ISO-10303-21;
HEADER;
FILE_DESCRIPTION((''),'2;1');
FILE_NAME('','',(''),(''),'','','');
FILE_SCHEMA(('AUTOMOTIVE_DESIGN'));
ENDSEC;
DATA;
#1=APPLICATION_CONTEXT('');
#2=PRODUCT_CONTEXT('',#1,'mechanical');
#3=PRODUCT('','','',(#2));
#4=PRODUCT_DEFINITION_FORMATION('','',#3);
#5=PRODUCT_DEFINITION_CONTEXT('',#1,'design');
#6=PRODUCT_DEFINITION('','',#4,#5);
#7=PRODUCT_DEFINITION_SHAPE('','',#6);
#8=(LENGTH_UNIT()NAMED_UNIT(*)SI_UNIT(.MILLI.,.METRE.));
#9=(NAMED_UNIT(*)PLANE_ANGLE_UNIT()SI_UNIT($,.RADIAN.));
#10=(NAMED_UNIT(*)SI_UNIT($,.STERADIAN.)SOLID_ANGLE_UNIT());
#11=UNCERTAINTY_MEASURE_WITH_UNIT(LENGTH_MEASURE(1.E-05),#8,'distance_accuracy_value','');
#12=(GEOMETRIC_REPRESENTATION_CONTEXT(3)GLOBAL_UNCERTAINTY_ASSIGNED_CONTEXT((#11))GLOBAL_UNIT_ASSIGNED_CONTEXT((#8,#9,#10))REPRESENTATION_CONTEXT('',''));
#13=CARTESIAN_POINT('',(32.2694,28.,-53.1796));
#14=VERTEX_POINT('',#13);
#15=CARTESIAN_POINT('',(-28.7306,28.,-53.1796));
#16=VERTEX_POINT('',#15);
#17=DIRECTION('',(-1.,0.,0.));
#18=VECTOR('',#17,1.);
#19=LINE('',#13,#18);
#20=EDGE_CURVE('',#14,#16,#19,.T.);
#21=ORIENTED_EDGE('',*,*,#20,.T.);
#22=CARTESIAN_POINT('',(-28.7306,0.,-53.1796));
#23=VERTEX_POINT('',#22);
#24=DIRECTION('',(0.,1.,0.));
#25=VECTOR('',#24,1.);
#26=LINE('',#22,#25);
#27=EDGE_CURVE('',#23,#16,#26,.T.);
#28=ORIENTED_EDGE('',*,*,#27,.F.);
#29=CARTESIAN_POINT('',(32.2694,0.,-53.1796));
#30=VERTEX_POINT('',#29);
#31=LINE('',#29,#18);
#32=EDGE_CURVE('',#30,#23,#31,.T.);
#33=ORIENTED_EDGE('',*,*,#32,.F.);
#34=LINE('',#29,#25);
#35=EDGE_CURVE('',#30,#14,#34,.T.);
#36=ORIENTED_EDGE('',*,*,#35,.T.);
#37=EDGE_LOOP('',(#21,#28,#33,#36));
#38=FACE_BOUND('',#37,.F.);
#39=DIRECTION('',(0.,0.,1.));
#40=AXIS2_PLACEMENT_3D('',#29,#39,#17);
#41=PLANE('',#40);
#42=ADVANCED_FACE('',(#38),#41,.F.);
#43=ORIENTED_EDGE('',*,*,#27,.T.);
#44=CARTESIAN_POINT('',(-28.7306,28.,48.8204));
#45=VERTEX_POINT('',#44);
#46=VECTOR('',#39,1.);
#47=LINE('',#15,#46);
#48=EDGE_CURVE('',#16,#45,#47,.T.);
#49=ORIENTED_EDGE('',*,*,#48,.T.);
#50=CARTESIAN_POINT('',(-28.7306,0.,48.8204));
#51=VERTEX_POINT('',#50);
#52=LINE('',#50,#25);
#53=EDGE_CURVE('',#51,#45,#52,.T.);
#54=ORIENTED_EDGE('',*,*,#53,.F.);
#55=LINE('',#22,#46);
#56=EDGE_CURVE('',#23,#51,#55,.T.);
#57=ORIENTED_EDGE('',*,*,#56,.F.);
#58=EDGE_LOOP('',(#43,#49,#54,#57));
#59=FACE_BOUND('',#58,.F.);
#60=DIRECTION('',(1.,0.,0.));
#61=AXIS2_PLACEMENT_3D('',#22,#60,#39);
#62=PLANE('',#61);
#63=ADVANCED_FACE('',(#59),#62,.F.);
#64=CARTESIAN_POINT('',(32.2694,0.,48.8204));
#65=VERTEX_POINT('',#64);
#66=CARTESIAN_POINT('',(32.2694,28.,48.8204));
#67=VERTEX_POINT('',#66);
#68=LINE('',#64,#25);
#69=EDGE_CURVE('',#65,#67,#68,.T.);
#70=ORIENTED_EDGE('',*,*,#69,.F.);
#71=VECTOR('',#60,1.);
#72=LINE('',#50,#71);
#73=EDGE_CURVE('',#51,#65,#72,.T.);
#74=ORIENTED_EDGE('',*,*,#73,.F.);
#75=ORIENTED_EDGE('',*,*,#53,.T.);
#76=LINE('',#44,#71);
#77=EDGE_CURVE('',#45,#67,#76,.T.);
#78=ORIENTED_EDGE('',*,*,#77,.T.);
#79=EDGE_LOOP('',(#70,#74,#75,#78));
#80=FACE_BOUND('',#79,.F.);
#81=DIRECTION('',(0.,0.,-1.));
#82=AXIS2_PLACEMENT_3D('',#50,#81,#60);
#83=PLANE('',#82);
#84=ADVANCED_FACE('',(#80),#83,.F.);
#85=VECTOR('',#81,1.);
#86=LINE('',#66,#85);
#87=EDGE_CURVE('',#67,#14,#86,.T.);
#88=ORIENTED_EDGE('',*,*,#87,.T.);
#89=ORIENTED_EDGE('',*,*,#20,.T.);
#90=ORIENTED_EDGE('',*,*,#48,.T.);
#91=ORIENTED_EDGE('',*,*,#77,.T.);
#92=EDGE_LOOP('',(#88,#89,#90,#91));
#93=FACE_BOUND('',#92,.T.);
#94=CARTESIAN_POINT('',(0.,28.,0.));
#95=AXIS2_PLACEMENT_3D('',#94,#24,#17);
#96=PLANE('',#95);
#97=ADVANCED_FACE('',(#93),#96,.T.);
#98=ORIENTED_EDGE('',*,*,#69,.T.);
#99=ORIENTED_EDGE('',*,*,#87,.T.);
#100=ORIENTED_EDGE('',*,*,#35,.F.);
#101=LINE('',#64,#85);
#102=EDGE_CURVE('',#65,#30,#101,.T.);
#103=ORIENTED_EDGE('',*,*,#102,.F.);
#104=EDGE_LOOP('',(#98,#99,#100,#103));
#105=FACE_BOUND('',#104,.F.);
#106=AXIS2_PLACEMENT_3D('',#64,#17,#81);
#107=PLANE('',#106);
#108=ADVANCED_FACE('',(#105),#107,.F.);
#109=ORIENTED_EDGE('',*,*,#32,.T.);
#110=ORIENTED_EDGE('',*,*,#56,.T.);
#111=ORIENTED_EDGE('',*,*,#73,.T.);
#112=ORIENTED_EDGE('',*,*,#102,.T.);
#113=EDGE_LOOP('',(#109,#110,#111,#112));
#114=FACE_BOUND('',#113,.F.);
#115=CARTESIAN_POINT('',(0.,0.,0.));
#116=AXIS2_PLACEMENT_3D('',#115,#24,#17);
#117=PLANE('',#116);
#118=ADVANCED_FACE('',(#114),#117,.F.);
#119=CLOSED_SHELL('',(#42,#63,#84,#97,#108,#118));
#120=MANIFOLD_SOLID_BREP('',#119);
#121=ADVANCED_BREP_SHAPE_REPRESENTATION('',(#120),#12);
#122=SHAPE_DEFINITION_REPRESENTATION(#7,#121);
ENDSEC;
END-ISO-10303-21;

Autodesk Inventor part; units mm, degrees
ref_plane "YZ Plane" through (0, 0, 0) normal (1, 0, 0) x (0, 1, 0)
ref_plane "XZ Plane" through (0, 0, 0) normal (0, 1, 0) x (-1, 0, 0)
ref_plane "XY Plane" through (0, 0, 0) normal (0, 0, 1) x (1, 0, 0)
sketch "Sketch1" plane through (0, 0, 0) normal (0, 1, 0) x (-1, 0, 0)
  line L0 (28.7306, 48.8204) -> (-32.2694, 48.8204)
  line L1 (-32.2694, 48.8204) -> (-32.2694, -53.1796)
  line L2 (-32.2694, -53.1796) -> (28.7306, -53.1796)
  line L3 (28.7306, -53.1796) -> (28.7306, 48.8204)
  point P0 (0, 0)
  dimension "d0" = 102
  dimension "d1" = 61
extrude "Extrusion1" add sketch "Sketch1" along normal blind 28
properties part number "usb hub belkin"
